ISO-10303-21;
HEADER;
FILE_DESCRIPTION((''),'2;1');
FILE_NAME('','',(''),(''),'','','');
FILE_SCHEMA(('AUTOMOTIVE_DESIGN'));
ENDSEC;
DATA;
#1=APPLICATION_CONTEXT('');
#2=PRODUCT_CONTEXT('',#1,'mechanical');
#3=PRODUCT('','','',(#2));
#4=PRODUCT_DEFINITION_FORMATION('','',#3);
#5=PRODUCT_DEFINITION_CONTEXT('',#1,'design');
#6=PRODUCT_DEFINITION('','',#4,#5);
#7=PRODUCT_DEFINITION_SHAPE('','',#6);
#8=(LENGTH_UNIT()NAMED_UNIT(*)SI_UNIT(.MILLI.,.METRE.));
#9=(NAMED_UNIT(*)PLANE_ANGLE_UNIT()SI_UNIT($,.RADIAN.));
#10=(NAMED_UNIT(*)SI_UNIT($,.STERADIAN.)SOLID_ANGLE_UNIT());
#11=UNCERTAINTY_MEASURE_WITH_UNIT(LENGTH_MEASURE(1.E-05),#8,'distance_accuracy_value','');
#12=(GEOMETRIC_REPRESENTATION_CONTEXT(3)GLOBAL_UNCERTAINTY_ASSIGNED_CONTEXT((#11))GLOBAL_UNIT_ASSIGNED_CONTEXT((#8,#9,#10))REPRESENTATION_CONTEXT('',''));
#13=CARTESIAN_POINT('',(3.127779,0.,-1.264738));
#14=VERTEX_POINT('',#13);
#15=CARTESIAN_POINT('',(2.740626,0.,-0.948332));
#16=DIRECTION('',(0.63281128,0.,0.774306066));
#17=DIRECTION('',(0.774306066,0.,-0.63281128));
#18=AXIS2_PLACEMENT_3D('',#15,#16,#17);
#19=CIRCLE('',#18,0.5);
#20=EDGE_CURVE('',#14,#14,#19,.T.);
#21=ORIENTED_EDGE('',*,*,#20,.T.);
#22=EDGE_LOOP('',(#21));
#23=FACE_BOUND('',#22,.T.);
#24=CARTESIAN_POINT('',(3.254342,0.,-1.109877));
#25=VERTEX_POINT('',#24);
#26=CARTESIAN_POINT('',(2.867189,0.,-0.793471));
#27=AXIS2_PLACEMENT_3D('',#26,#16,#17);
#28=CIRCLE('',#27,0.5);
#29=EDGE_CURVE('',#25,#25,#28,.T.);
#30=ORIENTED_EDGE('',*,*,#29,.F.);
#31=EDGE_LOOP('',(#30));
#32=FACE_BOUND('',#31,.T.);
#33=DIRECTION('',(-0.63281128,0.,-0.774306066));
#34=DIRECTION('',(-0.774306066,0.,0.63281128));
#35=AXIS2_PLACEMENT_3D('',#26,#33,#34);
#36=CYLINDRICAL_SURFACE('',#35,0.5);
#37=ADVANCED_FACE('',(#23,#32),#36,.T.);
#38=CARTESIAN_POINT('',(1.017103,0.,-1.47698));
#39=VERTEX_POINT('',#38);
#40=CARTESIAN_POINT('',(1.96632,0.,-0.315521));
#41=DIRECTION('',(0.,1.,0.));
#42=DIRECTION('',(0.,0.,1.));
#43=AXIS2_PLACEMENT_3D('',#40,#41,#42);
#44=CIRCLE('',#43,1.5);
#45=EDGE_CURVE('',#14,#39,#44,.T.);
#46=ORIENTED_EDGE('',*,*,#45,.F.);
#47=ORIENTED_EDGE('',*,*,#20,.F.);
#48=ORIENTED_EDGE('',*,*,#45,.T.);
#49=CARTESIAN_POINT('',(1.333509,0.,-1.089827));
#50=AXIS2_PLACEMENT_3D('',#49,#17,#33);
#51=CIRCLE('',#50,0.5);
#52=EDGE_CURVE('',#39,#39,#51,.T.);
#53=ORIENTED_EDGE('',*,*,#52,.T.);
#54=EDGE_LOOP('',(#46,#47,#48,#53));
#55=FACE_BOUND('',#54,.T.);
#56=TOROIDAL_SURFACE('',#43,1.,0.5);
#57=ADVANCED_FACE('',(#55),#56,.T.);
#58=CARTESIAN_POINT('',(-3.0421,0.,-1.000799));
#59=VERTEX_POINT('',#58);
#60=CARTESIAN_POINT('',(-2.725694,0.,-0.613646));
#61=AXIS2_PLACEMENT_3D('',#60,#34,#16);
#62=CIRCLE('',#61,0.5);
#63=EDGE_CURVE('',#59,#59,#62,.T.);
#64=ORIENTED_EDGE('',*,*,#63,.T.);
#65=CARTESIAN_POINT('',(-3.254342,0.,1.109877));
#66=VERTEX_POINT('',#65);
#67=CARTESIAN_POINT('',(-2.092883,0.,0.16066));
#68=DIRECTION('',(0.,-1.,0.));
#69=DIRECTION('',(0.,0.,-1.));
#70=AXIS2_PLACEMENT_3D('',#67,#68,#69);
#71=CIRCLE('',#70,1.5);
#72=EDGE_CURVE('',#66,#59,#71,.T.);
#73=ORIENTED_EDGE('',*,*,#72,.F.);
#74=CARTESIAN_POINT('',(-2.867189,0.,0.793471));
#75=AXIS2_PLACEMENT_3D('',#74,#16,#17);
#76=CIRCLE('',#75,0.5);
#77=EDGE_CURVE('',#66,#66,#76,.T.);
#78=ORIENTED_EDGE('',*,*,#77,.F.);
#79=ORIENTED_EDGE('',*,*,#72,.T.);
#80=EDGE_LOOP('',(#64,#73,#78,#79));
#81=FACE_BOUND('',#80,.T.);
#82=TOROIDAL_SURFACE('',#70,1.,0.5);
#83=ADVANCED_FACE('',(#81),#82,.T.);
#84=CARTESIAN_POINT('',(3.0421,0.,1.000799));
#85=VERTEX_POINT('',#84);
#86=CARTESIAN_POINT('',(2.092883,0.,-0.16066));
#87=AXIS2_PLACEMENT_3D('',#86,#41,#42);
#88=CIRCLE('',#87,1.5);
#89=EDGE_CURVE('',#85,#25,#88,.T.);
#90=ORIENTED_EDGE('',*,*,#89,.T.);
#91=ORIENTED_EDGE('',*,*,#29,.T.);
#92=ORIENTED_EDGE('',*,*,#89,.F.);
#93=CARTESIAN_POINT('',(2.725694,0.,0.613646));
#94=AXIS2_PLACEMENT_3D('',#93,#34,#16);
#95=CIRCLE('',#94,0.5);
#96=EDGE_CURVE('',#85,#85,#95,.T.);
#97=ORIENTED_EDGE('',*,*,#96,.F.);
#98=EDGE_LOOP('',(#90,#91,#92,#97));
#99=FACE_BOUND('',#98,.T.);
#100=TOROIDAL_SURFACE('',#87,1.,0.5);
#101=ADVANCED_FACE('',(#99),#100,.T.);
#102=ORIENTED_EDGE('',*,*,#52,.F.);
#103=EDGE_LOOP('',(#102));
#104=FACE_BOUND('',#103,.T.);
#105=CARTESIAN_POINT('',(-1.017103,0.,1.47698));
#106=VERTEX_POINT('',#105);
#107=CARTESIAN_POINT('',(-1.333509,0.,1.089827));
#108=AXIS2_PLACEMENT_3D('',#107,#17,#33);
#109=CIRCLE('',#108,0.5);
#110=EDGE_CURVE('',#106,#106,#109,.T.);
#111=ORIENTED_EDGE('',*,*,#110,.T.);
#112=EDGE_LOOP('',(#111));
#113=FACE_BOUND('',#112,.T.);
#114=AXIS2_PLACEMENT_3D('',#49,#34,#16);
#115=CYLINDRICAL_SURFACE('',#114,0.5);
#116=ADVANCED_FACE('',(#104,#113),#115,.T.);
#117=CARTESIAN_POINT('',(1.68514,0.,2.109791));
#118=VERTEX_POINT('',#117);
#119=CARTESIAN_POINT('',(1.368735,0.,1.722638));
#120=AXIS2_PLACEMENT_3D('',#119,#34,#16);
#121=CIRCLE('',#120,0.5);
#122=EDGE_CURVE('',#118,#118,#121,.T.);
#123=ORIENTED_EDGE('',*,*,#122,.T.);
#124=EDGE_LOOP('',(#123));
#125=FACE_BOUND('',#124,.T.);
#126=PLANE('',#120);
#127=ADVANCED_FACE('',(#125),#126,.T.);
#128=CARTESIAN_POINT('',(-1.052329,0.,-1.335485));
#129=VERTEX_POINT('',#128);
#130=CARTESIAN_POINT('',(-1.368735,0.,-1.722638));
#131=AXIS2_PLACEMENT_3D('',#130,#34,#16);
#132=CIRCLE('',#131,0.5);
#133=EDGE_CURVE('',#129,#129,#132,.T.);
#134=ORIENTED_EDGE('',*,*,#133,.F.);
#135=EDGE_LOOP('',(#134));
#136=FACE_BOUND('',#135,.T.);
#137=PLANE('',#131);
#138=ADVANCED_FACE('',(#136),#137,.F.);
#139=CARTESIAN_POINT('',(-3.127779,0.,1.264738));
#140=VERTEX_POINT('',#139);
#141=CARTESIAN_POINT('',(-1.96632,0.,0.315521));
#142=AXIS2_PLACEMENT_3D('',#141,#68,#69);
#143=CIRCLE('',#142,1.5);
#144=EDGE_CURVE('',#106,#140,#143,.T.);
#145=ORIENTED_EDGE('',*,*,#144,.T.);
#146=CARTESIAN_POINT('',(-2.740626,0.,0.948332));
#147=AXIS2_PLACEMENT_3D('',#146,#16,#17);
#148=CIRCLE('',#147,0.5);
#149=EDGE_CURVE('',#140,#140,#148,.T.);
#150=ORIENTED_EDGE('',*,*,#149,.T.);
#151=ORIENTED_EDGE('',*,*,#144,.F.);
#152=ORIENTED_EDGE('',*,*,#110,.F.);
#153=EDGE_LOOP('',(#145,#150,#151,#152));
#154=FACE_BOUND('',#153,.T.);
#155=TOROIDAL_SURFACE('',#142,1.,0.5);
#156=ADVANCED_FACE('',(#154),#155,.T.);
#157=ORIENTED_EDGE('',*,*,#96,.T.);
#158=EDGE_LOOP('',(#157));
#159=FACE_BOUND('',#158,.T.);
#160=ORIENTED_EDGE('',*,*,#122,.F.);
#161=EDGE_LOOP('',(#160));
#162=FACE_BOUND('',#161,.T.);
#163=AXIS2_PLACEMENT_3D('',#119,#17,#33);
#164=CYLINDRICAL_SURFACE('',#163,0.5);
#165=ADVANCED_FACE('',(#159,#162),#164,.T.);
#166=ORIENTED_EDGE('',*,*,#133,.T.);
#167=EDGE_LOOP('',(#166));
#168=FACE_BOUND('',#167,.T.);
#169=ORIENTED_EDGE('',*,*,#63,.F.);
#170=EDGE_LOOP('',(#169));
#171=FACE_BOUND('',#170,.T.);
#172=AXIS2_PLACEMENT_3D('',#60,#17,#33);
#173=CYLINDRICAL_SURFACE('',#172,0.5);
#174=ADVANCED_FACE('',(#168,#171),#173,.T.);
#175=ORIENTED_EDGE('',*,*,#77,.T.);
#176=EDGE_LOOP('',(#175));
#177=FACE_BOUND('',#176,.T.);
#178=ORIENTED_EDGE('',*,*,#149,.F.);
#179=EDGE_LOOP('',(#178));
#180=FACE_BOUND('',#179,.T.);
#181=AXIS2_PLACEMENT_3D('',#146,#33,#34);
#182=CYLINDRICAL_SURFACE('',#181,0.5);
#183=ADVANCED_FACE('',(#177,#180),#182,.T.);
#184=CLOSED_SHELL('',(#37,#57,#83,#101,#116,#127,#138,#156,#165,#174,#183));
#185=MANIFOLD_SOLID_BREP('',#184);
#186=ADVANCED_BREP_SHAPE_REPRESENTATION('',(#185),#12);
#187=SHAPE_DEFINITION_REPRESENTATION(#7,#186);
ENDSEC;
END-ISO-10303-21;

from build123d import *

# Parameters (mm, degrees)
SWEEP1_PROFILE_R = 0.5


with BuildPart() as part:
    # Sweep1: sweep along a path in Sketch1
    with BuildLine(Plane(origin=(0, 0, 0), x_dir=(1, 0, 0), z_dir=(0, 1, 0))) as sweep1_path:
        Line((1.368734727, -1.722638222), (2.725693934, -0.613646403))
        ThreePointArc((2.725693934, -0.613646403), (3.087864871, 0.060607741), (2.86718872, 0.793470943))
        Line((2.86718872, 0.793470943), (2.740626464, 0.948332156))
        ThreePointArc((2.740626464, 0.948332156), (2.06637232, 1.310503094), (1.333509118, 1.089826942))
        Line((1.333509118, 1.089826942), (-1.333509118, -1.089826942))
        ThreePointArc((-1.333509118, -1.089826942), (-2.06637232, -1.310503094), (-2.740626464, -0.948332156))
        Line((-2.740626464, -0.948332156), (-2.86718872, -0.793470943))
        ThreePointArc((-2.86718872, -0.793470943), (-3.087864871, -0.060607741), (-2.725693934, 0.613646403))
        Line((-2.725693934, 0.613646403), (-1.368734727, 1.722638222))
    # Sweep1 profile (on start of the path) → Sweep1 (sweep)
    with BuildSketch(Plane(origin=(1.368734727, 0, 1.722638222), x_dir=(0.632811280257266, 0, 0.7743060658287264), z_dir=(0.7743060658287264, 0, -0.632811280257266))):
        Circle(SWEEP1_PROFILE_R)
    sweep(path=sweep1_path.line)


solid = part.part
